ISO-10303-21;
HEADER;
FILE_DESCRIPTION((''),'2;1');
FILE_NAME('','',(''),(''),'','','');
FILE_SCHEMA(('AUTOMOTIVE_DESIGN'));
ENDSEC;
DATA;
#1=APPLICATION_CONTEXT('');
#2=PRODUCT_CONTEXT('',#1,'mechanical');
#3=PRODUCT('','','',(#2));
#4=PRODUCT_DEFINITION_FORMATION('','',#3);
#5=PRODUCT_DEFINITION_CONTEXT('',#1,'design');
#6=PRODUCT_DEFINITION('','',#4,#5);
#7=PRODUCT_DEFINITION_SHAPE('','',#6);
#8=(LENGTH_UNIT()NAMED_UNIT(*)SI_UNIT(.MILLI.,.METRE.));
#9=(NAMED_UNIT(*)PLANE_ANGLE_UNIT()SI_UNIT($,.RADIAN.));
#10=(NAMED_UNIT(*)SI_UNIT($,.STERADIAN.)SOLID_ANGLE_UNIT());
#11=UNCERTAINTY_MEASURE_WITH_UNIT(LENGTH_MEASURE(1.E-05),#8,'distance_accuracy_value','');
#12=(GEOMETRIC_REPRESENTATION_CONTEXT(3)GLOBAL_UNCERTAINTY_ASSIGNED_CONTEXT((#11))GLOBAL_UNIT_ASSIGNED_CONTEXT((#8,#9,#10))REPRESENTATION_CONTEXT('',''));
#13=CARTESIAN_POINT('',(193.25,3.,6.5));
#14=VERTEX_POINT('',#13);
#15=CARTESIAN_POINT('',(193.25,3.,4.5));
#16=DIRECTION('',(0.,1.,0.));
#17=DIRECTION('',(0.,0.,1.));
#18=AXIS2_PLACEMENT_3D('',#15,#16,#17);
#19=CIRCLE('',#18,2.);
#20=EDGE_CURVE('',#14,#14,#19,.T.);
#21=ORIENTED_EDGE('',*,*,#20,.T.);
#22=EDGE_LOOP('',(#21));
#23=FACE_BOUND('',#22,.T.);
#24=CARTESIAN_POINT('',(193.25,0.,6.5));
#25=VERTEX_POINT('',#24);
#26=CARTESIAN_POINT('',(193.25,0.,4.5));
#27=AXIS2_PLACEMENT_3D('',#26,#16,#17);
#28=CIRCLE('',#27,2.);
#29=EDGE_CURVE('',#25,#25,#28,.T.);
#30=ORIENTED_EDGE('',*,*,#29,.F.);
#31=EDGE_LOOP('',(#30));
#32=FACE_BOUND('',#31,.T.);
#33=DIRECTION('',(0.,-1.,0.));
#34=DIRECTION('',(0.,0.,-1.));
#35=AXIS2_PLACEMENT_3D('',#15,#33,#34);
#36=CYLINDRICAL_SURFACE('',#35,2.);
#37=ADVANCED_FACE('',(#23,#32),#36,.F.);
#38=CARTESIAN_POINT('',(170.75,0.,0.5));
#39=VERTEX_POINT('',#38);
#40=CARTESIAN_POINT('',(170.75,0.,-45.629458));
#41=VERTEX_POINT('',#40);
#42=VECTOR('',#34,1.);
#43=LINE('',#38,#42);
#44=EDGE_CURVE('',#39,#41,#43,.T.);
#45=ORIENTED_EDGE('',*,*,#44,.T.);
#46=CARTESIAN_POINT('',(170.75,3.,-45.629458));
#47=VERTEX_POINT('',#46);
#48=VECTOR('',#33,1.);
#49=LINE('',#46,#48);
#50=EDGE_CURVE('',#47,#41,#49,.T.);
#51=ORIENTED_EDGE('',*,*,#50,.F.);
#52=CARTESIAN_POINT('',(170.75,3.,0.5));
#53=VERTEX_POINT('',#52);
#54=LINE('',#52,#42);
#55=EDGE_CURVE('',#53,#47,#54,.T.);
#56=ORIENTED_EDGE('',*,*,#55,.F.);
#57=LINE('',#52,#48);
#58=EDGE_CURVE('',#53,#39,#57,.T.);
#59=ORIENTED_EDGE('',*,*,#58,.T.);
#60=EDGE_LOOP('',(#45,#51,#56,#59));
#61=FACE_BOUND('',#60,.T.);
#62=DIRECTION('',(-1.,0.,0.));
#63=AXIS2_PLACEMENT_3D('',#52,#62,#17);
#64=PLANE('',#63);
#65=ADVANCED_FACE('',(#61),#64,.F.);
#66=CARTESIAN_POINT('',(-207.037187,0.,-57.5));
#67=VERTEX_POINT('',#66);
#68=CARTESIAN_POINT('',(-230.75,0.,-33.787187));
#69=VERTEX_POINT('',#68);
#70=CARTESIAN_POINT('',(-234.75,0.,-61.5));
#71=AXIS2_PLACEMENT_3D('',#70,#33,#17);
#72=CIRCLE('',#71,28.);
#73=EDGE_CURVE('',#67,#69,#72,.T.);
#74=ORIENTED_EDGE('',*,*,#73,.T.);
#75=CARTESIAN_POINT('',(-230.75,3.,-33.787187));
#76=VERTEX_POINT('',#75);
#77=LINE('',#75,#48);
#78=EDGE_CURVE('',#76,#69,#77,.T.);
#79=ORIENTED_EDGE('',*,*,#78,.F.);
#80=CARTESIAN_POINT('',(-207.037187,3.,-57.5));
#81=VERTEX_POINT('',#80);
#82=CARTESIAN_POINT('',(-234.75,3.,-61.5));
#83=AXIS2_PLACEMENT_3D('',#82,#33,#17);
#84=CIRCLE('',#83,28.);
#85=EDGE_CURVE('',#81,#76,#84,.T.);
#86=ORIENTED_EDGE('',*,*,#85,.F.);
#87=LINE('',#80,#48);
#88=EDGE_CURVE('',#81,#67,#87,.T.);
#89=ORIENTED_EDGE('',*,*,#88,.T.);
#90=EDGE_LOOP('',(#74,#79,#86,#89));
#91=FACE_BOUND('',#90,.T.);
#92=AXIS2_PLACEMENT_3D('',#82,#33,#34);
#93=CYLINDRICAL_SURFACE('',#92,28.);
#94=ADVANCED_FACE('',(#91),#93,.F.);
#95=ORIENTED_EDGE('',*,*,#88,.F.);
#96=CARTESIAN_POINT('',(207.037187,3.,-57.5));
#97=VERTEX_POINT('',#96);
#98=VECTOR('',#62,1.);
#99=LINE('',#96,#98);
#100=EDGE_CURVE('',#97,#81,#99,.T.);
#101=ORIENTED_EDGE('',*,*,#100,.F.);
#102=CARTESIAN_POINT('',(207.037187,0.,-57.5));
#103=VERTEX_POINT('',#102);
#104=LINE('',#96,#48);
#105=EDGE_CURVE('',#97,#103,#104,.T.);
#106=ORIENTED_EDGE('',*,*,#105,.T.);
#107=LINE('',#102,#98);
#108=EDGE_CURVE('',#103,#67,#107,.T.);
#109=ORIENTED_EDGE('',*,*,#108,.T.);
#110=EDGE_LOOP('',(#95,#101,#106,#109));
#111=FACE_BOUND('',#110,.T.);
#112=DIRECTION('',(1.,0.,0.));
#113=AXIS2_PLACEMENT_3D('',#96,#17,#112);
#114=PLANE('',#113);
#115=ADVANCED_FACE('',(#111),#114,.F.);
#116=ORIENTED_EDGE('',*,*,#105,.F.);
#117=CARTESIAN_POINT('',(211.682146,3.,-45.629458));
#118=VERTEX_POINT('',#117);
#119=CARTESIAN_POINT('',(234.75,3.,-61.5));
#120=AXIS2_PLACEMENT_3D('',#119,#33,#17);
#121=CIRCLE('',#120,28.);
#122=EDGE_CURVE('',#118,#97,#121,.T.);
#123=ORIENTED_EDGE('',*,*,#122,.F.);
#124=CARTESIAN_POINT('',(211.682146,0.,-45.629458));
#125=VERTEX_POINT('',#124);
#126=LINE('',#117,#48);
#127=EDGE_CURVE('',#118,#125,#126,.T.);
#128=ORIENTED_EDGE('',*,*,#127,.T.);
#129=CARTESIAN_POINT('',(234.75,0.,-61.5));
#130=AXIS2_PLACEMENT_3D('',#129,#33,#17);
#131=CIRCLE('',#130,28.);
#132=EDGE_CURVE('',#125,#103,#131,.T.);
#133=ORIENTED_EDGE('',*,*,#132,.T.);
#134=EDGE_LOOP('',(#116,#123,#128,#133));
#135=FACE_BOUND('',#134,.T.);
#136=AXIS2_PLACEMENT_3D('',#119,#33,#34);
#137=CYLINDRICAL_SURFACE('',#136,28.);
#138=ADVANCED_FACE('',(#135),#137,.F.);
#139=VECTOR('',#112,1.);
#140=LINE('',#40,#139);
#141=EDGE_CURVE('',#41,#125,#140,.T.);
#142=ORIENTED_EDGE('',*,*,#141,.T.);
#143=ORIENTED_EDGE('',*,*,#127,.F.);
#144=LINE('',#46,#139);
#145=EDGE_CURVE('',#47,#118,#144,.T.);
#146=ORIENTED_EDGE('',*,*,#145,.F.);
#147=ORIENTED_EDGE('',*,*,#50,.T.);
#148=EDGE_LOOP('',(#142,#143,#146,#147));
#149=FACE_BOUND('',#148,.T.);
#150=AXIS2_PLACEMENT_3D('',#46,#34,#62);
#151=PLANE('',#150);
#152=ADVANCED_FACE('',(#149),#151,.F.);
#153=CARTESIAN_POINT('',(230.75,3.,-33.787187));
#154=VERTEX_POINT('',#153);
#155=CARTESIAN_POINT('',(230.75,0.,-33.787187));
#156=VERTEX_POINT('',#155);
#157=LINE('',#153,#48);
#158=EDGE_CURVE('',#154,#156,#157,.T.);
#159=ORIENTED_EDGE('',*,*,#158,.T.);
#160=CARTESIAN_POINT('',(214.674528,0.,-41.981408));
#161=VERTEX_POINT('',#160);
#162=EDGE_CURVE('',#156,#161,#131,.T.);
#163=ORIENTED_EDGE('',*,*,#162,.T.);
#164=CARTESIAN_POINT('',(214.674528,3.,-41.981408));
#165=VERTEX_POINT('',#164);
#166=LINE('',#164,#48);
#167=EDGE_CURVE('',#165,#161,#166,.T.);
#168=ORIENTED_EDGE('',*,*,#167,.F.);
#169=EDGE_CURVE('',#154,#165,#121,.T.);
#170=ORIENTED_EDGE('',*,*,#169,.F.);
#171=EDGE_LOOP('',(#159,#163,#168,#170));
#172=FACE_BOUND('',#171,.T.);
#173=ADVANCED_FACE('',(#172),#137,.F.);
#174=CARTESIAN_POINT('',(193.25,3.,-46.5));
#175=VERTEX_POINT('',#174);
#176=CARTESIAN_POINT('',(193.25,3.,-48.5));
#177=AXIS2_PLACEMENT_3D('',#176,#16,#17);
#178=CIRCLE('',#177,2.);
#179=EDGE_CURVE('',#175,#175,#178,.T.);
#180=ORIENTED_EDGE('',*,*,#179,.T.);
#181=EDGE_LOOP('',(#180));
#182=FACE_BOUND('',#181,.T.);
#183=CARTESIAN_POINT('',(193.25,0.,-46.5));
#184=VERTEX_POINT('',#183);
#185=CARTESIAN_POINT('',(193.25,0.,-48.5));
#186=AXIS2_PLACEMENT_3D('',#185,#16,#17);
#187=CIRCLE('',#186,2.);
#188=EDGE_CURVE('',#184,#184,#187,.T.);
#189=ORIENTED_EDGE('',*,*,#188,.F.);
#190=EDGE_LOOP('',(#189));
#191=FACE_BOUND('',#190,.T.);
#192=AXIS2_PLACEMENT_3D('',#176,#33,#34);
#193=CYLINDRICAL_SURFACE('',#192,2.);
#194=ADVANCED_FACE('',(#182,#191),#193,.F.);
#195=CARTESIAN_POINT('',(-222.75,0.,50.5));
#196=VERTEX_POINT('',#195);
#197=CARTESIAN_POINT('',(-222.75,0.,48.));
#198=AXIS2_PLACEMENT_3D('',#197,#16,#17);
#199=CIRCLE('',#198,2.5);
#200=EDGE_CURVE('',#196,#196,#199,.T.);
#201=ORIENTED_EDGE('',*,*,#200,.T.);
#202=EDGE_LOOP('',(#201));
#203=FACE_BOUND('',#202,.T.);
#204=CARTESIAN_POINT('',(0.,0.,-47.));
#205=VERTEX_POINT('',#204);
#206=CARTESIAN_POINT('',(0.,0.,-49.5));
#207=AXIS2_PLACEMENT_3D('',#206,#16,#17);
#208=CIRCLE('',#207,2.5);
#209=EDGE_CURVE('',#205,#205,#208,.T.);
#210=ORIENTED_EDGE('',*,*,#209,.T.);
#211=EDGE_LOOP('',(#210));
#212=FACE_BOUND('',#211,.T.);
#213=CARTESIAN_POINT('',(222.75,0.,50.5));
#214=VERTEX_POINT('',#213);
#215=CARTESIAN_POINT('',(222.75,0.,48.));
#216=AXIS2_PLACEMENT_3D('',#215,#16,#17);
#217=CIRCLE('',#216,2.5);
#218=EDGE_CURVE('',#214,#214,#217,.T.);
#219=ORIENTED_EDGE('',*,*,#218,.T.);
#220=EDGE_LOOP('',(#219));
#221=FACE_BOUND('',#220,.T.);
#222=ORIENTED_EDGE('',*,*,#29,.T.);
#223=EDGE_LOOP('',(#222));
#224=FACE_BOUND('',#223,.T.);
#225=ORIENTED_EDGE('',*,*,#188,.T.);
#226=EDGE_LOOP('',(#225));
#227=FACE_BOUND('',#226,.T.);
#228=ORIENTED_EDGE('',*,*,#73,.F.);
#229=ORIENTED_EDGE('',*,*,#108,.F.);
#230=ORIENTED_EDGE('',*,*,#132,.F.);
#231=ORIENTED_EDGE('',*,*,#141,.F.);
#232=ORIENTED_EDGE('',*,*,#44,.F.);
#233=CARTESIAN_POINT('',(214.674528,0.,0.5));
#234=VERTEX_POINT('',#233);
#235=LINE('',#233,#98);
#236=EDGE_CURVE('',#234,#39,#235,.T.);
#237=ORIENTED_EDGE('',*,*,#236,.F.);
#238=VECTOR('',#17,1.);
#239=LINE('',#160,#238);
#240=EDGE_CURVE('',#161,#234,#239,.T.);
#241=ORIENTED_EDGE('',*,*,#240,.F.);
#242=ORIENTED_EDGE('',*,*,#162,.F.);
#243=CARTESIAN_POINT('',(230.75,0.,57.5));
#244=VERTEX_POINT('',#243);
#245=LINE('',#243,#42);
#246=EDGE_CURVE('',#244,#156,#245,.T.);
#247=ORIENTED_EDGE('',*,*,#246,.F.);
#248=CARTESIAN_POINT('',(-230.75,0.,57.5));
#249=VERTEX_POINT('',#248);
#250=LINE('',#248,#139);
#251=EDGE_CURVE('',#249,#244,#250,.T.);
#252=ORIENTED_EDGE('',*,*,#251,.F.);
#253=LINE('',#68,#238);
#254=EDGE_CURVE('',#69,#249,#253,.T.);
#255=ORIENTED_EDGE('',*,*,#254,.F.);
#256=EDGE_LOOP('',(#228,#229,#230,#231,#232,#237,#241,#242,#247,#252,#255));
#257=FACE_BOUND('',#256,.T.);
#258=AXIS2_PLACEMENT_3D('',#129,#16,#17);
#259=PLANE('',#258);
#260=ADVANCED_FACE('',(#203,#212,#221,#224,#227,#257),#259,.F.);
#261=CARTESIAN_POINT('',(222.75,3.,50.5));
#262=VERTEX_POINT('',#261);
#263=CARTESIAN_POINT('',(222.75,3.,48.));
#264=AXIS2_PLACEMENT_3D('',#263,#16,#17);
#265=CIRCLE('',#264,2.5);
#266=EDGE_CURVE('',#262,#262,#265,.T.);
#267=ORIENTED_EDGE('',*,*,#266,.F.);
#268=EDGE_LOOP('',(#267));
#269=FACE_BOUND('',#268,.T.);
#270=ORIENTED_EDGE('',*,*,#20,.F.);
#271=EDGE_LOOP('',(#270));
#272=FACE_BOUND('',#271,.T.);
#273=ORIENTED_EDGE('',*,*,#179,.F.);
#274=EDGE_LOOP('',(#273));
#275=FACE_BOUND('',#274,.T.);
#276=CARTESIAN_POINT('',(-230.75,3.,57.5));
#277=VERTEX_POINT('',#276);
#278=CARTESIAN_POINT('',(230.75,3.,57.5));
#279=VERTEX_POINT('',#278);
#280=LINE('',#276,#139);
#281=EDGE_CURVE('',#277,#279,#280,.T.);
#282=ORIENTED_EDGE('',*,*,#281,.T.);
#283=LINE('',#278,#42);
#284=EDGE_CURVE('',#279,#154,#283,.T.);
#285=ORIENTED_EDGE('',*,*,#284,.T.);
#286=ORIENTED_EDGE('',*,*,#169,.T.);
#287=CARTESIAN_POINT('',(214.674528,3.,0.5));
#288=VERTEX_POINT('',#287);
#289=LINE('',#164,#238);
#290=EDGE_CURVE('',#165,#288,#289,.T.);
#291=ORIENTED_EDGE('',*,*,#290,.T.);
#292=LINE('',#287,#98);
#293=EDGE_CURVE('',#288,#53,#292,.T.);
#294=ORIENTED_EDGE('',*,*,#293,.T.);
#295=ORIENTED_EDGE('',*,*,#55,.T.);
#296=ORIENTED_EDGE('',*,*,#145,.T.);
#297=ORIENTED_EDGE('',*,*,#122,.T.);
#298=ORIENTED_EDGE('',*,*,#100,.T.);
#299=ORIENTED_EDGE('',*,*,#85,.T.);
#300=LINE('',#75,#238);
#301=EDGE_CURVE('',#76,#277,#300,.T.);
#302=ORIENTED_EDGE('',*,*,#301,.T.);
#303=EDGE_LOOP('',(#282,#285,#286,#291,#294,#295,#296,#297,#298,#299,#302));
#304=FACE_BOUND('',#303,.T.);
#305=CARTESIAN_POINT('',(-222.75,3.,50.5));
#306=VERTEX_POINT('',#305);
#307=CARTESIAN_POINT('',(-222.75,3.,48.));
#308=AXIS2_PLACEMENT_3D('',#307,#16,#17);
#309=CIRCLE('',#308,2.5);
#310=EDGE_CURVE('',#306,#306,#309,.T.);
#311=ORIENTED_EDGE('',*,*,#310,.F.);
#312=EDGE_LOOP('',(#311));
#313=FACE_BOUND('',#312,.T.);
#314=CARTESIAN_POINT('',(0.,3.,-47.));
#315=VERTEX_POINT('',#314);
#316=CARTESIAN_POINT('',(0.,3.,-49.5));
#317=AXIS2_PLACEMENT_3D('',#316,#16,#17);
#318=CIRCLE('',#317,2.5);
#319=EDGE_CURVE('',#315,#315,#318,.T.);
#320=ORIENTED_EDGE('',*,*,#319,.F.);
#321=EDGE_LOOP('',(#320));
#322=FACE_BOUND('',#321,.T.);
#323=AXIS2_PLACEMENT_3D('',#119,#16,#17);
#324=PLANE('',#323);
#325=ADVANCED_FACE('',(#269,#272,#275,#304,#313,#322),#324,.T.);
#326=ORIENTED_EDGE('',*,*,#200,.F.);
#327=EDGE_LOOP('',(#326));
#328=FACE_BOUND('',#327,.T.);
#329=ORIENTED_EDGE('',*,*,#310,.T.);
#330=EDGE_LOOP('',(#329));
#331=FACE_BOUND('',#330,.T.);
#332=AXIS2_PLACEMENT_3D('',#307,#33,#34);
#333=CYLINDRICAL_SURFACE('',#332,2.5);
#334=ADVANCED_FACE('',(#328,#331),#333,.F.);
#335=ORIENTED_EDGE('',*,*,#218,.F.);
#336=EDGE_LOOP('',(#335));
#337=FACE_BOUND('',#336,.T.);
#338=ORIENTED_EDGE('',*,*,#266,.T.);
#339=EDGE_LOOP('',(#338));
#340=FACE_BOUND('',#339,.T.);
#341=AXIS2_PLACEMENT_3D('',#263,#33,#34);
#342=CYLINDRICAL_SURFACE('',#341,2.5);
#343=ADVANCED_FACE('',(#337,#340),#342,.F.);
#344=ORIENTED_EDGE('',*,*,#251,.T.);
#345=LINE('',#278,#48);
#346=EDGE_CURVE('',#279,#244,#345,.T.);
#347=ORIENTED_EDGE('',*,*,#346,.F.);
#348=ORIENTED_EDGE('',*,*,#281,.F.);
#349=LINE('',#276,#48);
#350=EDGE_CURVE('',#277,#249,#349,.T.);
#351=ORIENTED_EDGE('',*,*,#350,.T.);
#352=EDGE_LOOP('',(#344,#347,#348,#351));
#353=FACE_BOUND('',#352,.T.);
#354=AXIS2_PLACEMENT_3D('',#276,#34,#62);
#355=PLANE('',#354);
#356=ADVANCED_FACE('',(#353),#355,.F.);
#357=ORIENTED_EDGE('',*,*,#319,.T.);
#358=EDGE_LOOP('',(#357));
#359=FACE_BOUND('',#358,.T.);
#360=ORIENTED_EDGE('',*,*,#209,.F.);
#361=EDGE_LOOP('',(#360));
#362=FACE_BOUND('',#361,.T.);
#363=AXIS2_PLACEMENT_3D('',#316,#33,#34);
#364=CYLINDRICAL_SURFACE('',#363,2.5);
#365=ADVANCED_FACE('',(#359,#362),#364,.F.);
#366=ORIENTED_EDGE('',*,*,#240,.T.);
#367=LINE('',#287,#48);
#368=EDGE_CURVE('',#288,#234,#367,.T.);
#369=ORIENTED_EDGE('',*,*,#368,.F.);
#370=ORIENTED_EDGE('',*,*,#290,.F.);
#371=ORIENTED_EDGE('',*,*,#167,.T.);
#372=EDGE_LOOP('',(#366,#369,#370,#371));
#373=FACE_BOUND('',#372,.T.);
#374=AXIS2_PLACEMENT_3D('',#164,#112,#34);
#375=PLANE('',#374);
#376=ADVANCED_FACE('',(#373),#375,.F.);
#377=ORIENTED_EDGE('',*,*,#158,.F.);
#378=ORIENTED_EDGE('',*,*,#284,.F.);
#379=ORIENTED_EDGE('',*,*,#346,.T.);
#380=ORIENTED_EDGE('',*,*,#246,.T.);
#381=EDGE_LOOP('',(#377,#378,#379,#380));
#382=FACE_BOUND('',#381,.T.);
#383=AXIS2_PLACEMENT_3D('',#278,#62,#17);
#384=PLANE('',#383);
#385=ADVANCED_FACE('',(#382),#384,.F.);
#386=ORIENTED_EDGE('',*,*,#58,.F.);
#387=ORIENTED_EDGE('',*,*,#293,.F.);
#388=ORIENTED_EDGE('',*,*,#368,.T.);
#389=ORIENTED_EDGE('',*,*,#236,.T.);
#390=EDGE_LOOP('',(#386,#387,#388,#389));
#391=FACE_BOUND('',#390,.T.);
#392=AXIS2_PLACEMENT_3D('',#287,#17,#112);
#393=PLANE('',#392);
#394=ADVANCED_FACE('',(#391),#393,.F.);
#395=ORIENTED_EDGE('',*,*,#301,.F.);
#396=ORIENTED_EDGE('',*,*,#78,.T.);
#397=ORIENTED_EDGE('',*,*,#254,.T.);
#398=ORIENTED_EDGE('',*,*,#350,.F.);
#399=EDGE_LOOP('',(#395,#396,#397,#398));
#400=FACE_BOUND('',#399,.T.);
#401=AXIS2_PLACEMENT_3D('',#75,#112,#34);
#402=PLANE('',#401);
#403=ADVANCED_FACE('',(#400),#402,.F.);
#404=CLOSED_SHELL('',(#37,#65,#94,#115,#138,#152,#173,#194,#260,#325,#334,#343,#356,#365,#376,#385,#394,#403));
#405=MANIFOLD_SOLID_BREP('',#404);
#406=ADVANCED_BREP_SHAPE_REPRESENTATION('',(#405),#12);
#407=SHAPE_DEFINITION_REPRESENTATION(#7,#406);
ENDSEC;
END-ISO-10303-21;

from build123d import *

# Parameters (mm, degrees)
CROQUIS1_R              = 2.5
CROQUIS1_R_2            = 2
SALIENTE_EXTRUIR1_DEPTH = 3


with BuildPart() as part:
    # Croquis1 → Saliente-Extruir1 (new body)
    with BuildSketch(Plane(origin=(0, 0, 0), x_dir=(1, 0, 0), z_dir=(0, 1, 0))):
        with BuildLine():
            Line((-230.75, -57.5), (230.75, -57.5))
            Line((230.75, -57.5), (230.75, 33.787187079))
            ThreePointArc((230.75, 33.787187079), (222.034128097, 36.553926125), (214.674528302, 41.981407938))
            Line((214.674528302, 41.981407938), (214.674528302, -0.5))
            Line((214.674528302, -0.5), (170.75, -0.5))
            Line((170.75, -0.5), (170.75, 45.629458388))
            Line((170.75, 45.629458388), (211.682145549, 45.629458388))
            ThreePointArc((211.682145549, 45.629458388), (208.675175279, 51.296886956), (207.037187079, 57.5))
            Line((207.037187079, 57.5), (-207.037187079, 57.5))
            ThreePointArc((-207.037187079, 57.5), (-214.951010127, 41.701010127), (-230.75, 33.787187079))
            Line((-230.75, 33.787187079), (-230.75, -57.5))
        make_face()
        with Locations(Location((0, 49.5, 0), (0, 0, 270))):
            Circle(CROQUIS1_R, mode=Mode.SUBTRACT)
        with Locations(Location((193.25, 48.5, 0), (0, 0, 270))):
            Circle(CROQUIS1_R_2, mode=Mode.SUBTRACT)
        with Locations(Location((193.25, -4.5, 0), (0, 0, 270))):
            Circle(CROQUIS1_R_2, mode=Mode.SUBTRACT)
        with Locations(Location((222.75, -48, 0), (0, 0, 270))):
            Circle(CROQUIS1_R, mode=Mode.SUBTRACT)
        with Locations(Location((-222.75, -48, 0), (0, 0, 270))):
            Circle(CROQUIS1_R, mode=Mode.SUBTRACT)
    extrude(amount=SALIENTE_EXTRUIR1_DEPTH)


solid = part.part
